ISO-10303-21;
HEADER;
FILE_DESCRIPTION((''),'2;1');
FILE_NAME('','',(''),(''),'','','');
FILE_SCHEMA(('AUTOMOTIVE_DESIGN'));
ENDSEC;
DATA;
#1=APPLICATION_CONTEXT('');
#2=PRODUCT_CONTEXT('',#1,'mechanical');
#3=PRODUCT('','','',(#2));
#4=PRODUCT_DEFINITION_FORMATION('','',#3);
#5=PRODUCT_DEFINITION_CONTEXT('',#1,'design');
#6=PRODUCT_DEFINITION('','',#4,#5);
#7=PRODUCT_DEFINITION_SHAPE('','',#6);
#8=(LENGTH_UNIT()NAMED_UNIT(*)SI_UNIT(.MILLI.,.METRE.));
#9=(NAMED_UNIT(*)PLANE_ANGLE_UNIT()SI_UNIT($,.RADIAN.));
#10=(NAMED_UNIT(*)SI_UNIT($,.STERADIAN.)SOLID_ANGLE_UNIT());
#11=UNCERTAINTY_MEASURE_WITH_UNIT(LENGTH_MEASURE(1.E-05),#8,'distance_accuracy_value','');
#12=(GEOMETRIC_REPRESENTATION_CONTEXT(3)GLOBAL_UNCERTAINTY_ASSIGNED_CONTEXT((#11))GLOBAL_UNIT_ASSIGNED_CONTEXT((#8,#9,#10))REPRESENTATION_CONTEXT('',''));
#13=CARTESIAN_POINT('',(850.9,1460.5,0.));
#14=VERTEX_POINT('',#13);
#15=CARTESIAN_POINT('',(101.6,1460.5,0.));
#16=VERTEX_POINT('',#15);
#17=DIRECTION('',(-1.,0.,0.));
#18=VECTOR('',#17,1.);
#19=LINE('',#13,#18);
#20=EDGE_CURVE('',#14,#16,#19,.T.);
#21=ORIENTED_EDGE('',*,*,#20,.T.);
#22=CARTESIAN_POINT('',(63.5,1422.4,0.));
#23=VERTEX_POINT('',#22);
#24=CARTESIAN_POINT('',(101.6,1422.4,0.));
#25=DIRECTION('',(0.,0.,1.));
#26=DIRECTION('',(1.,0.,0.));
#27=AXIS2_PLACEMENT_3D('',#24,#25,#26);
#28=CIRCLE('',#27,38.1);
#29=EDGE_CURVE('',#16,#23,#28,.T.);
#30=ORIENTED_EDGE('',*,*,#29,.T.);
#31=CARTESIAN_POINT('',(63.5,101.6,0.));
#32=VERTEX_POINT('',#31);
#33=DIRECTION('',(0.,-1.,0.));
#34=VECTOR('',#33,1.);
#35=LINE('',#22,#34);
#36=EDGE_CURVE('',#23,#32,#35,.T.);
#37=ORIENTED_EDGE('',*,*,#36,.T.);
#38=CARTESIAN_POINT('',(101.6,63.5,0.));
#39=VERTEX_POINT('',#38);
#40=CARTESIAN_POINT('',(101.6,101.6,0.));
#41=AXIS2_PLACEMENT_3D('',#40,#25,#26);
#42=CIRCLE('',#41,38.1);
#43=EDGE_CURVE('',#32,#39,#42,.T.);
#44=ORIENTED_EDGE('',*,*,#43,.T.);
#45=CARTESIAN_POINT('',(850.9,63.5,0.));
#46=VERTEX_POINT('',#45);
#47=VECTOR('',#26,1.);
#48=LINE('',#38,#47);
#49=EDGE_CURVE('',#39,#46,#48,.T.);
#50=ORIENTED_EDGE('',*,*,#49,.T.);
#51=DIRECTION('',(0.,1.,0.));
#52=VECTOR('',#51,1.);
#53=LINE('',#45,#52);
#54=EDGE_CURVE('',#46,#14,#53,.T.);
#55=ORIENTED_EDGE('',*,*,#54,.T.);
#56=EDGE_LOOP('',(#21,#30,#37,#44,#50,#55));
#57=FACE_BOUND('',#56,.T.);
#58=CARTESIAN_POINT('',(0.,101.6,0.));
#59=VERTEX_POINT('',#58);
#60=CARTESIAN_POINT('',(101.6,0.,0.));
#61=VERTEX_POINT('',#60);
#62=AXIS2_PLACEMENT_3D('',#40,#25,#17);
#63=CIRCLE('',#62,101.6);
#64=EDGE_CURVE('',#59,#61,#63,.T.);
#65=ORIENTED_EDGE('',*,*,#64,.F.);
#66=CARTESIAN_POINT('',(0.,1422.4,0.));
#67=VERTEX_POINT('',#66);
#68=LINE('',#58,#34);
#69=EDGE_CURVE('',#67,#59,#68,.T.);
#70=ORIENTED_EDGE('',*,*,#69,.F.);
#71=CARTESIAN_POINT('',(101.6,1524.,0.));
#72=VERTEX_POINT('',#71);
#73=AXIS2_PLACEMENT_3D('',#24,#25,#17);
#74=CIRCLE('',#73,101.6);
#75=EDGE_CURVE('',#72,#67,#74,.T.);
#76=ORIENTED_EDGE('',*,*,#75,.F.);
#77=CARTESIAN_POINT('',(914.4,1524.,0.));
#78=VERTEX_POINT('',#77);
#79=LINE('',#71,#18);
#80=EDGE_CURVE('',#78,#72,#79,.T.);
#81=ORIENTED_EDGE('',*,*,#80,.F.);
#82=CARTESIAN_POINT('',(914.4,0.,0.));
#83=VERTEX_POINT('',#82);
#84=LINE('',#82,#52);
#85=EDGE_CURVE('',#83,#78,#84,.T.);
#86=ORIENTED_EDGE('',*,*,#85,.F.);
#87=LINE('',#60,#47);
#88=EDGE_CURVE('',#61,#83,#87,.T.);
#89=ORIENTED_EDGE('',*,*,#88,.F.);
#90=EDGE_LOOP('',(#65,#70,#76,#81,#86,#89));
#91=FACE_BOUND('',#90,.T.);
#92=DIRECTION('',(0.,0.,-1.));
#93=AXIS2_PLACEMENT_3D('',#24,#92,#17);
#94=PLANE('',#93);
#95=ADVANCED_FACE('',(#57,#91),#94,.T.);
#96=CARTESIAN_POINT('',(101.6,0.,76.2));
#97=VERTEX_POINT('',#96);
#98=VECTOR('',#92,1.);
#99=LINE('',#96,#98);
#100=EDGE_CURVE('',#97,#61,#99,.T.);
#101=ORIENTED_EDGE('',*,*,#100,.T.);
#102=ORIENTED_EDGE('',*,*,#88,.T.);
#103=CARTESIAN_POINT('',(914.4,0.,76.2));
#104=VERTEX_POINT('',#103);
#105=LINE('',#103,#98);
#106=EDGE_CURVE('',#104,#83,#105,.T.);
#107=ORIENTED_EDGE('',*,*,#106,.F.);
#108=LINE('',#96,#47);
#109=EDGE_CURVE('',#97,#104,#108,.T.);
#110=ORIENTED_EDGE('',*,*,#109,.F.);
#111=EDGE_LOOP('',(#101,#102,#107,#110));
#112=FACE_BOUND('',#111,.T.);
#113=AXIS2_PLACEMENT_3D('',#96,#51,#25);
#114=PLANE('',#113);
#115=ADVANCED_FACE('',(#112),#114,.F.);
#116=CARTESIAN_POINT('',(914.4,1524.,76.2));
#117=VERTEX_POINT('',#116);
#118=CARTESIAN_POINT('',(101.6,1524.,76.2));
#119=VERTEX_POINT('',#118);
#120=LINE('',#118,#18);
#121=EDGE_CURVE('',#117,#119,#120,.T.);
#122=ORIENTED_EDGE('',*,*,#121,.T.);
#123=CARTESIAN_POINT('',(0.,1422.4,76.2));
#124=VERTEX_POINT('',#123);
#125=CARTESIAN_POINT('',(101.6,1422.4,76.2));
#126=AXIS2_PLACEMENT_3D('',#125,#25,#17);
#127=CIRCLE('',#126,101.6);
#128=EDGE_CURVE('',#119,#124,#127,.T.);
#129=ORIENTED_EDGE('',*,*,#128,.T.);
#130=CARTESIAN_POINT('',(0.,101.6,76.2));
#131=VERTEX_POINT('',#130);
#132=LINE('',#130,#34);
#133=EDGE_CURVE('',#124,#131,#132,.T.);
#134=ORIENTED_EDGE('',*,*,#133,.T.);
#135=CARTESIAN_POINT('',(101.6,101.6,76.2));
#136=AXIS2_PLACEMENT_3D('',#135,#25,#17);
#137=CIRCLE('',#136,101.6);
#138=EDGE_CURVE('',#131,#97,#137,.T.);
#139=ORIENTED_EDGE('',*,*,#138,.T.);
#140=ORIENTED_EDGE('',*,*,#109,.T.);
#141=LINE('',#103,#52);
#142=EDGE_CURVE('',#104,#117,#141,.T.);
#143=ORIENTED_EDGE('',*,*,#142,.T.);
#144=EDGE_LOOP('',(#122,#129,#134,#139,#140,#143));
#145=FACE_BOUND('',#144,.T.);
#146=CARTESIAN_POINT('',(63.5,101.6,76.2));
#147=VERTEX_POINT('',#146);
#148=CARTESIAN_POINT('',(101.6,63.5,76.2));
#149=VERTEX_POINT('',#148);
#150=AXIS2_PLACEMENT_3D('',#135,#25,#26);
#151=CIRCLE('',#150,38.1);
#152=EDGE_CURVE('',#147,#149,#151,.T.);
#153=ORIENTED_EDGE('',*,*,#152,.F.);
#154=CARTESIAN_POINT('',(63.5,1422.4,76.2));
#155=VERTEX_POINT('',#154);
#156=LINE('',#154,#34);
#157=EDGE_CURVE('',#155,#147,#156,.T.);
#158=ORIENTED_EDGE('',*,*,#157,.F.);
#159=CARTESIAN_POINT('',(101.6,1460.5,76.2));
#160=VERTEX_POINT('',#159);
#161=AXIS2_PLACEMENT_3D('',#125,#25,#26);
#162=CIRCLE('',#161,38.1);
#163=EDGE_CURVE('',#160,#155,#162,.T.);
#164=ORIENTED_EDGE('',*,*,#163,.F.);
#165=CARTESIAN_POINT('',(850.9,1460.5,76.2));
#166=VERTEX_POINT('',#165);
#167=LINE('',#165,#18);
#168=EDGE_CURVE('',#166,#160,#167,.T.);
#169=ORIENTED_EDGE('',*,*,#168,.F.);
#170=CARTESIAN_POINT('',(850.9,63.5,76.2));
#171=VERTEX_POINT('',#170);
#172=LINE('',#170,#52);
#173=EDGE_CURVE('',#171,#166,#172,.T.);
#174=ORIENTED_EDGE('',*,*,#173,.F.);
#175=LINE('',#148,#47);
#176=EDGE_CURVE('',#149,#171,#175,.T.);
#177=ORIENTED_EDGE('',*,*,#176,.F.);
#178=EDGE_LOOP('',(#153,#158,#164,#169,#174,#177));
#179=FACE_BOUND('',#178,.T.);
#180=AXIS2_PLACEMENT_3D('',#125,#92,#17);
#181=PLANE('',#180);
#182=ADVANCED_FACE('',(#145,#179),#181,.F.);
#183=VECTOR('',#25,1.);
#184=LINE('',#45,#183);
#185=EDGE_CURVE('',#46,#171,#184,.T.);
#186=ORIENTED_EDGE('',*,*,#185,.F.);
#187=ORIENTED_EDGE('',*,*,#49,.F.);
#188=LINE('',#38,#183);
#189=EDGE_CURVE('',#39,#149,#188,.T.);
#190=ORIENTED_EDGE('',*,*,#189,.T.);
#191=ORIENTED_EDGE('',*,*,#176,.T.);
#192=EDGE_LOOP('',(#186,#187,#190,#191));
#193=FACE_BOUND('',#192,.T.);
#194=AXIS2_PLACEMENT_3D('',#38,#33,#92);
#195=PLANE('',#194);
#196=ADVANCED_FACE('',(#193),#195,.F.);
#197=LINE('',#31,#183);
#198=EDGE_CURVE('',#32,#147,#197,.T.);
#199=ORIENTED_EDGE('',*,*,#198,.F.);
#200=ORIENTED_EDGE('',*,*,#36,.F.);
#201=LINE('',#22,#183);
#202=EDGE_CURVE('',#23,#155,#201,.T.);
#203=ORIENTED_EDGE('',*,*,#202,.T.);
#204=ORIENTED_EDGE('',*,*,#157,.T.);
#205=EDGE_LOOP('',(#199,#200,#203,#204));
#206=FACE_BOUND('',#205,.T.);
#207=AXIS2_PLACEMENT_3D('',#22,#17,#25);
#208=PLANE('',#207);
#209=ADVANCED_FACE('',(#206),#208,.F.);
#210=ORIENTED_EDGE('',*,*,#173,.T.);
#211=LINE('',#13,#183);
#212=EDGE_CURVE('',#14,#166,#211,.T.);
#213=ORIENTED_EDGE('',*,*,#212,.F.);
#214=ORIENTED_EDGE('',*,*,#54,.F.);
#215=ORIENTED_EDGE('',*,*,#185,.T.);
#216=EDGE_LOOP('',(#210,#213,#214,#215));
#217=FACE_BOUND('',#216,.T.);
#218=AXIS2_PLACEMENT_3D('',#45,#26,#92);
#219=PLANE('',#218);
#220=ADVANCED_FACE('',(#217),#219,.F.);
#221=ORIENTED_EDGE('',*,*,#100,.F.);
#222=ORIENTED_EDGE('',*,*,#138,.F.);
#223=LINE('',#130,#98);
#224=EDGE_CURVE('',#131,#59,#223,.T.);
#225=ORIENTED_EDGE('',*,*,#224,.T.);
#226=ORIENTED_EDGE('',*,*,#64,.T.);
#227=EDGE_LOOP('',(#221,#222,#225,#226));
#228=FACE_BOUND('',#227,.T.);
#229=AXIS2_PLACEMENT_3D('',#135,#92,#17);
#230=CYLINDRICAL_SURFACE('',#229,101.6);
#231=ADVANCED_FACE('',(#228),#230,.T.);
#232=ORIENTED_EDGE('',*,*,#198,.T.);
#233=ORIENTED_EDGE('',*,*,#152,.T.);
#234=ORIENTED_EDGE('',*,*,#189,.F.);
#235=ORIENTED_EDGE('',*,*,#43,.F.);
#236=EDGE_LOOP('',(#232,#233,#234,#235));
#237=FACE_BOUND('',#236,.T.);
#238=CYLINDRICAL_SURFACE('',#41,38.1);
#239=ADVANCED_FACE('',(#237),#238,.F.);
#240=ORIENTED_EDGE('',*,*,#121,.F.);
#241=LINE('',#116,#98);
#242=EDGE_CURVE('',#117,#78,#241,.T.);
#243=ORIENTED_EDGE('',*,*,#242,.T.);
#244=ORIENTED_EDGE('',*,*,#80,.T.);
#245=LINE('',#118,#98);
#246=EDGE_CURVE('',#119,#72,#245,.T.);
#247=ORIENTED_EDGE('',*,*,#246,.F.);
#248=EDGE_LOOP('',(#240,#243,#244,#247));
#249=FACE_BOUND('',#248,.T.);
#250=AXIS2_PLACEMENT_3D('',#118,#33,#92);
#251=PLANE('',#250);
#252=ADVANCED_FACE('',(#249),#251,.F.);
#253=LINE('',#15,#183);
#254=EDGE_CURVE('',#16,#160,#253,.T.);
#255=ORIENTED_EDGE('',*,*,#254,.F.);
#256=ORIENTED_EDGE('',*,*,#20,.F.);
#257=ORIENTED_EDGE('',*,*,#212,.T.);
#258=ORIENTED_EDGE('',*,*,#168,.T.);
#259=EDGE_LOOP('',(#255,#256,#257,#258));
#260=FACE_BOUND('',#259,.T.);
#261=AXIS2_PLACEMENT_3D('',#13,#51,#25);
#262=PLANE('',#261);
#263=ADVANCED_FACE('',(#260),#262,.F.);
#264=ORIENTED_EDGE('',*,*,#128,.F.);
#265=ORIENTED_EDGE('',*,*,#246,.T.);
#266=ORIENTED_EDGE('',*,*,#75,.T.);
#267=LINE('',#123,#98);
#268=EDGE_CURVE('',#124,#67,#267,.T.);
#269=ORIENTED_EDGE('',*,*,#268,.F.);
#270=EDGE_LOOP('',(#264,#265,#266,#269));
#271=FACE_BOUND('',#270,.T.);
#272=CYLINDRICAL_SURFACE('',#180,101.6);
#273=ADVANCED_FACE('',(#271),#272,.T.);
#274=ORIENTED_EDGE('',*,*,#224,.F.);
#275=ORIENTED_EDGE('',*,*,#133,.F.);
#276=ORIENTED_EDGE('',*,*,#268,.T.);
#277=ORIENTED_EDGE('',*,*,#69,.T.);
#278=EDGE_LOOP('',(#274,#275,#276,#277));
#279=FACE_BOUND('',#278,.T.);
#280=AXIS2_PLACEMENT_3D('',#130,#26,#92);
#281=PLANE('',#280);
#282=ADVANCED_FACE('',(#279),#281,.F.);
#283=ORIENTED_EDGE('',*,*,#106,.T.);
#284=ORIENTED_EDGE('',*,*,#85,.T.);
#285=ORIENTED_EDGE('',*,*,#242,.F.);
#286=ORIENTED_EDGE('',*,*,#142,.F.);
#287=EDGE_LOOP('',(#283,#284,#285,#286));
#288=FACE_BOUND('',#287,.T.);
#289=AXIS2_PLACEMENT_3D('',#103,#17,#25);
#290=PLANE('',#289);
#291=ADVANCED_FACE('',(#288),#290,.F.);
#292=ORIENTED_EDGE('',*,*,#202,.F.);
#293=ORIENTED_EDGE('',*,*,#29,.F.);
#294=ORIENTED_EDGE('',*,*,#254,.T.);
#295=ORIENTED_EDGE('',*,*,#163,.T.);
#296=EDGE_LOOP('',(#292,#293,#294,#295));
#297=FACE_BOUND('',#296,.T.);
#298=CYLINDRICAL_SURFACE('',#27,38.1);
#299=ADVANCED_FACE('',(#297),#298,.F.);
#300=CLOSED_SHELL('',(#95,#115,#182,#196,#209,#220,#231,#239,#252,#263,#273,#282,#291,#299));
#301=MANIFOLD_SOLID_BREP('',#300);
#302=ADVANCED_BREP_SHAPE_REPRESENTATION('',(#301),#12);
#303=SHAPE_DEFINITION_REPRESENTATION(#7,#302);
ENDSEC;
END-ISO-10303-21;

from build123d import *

# Parameters (mm, degrees)
BOSS_EXTRUDE1_DEPTH = 76.2
CUT_EXTRUDE2_DEPTH  = 1779.906911561


with BuildPart() as part:
    # Sketch1 → Boss-Extrude1 (new body)
    with BuildSketch(Plane.XY):
        with BuildLine():
            Line((101.6, 0), (914.4, 0))
            Line((914.4, 0), (914.4, 1524))
            Line((914.4, 1524), (101.6, 1524))
            ThreePointArc((101.6, 1524), (29.757951031, 1494.242048969), (0, 1422.4))
            Line((0, 1422.4), (0, 101.6))
            ThreePointArc((0, 101.6), (29.757951031, 29.757951031), (101.6, 0))
        make_face()
    extrude(amount=BOSS_EXTRUDE1_DEPTH)

    # Sketch2 → Cut-Extrude2 (cut, through all)
    with BuildSketch(Plane.XY.offset(76.2)):
        with BuildLine():
            Line((63.5, 1422.4), (63.5, 101.6))
            ThreePointArc((63.5, 101.6), (74.659231637, 74.659231637), (101.6, 63.5))
            Line((101.6, 63.5), (850.9, 63.5))
            Line((850.9, 63.5), (850.9, 1460.5))
            Line((850.9, 1460.5), (101.6, 1460.5))
            ThreePointArc((101.6, 1460.5), (74.659231637, 1449.340768363), (63.5, 1422.4))
        make_face()
    extrude(amount=-CUT_EXTRUDE2_DEPTH, mode=Mode.SUBTRACT)


solid = part.part
